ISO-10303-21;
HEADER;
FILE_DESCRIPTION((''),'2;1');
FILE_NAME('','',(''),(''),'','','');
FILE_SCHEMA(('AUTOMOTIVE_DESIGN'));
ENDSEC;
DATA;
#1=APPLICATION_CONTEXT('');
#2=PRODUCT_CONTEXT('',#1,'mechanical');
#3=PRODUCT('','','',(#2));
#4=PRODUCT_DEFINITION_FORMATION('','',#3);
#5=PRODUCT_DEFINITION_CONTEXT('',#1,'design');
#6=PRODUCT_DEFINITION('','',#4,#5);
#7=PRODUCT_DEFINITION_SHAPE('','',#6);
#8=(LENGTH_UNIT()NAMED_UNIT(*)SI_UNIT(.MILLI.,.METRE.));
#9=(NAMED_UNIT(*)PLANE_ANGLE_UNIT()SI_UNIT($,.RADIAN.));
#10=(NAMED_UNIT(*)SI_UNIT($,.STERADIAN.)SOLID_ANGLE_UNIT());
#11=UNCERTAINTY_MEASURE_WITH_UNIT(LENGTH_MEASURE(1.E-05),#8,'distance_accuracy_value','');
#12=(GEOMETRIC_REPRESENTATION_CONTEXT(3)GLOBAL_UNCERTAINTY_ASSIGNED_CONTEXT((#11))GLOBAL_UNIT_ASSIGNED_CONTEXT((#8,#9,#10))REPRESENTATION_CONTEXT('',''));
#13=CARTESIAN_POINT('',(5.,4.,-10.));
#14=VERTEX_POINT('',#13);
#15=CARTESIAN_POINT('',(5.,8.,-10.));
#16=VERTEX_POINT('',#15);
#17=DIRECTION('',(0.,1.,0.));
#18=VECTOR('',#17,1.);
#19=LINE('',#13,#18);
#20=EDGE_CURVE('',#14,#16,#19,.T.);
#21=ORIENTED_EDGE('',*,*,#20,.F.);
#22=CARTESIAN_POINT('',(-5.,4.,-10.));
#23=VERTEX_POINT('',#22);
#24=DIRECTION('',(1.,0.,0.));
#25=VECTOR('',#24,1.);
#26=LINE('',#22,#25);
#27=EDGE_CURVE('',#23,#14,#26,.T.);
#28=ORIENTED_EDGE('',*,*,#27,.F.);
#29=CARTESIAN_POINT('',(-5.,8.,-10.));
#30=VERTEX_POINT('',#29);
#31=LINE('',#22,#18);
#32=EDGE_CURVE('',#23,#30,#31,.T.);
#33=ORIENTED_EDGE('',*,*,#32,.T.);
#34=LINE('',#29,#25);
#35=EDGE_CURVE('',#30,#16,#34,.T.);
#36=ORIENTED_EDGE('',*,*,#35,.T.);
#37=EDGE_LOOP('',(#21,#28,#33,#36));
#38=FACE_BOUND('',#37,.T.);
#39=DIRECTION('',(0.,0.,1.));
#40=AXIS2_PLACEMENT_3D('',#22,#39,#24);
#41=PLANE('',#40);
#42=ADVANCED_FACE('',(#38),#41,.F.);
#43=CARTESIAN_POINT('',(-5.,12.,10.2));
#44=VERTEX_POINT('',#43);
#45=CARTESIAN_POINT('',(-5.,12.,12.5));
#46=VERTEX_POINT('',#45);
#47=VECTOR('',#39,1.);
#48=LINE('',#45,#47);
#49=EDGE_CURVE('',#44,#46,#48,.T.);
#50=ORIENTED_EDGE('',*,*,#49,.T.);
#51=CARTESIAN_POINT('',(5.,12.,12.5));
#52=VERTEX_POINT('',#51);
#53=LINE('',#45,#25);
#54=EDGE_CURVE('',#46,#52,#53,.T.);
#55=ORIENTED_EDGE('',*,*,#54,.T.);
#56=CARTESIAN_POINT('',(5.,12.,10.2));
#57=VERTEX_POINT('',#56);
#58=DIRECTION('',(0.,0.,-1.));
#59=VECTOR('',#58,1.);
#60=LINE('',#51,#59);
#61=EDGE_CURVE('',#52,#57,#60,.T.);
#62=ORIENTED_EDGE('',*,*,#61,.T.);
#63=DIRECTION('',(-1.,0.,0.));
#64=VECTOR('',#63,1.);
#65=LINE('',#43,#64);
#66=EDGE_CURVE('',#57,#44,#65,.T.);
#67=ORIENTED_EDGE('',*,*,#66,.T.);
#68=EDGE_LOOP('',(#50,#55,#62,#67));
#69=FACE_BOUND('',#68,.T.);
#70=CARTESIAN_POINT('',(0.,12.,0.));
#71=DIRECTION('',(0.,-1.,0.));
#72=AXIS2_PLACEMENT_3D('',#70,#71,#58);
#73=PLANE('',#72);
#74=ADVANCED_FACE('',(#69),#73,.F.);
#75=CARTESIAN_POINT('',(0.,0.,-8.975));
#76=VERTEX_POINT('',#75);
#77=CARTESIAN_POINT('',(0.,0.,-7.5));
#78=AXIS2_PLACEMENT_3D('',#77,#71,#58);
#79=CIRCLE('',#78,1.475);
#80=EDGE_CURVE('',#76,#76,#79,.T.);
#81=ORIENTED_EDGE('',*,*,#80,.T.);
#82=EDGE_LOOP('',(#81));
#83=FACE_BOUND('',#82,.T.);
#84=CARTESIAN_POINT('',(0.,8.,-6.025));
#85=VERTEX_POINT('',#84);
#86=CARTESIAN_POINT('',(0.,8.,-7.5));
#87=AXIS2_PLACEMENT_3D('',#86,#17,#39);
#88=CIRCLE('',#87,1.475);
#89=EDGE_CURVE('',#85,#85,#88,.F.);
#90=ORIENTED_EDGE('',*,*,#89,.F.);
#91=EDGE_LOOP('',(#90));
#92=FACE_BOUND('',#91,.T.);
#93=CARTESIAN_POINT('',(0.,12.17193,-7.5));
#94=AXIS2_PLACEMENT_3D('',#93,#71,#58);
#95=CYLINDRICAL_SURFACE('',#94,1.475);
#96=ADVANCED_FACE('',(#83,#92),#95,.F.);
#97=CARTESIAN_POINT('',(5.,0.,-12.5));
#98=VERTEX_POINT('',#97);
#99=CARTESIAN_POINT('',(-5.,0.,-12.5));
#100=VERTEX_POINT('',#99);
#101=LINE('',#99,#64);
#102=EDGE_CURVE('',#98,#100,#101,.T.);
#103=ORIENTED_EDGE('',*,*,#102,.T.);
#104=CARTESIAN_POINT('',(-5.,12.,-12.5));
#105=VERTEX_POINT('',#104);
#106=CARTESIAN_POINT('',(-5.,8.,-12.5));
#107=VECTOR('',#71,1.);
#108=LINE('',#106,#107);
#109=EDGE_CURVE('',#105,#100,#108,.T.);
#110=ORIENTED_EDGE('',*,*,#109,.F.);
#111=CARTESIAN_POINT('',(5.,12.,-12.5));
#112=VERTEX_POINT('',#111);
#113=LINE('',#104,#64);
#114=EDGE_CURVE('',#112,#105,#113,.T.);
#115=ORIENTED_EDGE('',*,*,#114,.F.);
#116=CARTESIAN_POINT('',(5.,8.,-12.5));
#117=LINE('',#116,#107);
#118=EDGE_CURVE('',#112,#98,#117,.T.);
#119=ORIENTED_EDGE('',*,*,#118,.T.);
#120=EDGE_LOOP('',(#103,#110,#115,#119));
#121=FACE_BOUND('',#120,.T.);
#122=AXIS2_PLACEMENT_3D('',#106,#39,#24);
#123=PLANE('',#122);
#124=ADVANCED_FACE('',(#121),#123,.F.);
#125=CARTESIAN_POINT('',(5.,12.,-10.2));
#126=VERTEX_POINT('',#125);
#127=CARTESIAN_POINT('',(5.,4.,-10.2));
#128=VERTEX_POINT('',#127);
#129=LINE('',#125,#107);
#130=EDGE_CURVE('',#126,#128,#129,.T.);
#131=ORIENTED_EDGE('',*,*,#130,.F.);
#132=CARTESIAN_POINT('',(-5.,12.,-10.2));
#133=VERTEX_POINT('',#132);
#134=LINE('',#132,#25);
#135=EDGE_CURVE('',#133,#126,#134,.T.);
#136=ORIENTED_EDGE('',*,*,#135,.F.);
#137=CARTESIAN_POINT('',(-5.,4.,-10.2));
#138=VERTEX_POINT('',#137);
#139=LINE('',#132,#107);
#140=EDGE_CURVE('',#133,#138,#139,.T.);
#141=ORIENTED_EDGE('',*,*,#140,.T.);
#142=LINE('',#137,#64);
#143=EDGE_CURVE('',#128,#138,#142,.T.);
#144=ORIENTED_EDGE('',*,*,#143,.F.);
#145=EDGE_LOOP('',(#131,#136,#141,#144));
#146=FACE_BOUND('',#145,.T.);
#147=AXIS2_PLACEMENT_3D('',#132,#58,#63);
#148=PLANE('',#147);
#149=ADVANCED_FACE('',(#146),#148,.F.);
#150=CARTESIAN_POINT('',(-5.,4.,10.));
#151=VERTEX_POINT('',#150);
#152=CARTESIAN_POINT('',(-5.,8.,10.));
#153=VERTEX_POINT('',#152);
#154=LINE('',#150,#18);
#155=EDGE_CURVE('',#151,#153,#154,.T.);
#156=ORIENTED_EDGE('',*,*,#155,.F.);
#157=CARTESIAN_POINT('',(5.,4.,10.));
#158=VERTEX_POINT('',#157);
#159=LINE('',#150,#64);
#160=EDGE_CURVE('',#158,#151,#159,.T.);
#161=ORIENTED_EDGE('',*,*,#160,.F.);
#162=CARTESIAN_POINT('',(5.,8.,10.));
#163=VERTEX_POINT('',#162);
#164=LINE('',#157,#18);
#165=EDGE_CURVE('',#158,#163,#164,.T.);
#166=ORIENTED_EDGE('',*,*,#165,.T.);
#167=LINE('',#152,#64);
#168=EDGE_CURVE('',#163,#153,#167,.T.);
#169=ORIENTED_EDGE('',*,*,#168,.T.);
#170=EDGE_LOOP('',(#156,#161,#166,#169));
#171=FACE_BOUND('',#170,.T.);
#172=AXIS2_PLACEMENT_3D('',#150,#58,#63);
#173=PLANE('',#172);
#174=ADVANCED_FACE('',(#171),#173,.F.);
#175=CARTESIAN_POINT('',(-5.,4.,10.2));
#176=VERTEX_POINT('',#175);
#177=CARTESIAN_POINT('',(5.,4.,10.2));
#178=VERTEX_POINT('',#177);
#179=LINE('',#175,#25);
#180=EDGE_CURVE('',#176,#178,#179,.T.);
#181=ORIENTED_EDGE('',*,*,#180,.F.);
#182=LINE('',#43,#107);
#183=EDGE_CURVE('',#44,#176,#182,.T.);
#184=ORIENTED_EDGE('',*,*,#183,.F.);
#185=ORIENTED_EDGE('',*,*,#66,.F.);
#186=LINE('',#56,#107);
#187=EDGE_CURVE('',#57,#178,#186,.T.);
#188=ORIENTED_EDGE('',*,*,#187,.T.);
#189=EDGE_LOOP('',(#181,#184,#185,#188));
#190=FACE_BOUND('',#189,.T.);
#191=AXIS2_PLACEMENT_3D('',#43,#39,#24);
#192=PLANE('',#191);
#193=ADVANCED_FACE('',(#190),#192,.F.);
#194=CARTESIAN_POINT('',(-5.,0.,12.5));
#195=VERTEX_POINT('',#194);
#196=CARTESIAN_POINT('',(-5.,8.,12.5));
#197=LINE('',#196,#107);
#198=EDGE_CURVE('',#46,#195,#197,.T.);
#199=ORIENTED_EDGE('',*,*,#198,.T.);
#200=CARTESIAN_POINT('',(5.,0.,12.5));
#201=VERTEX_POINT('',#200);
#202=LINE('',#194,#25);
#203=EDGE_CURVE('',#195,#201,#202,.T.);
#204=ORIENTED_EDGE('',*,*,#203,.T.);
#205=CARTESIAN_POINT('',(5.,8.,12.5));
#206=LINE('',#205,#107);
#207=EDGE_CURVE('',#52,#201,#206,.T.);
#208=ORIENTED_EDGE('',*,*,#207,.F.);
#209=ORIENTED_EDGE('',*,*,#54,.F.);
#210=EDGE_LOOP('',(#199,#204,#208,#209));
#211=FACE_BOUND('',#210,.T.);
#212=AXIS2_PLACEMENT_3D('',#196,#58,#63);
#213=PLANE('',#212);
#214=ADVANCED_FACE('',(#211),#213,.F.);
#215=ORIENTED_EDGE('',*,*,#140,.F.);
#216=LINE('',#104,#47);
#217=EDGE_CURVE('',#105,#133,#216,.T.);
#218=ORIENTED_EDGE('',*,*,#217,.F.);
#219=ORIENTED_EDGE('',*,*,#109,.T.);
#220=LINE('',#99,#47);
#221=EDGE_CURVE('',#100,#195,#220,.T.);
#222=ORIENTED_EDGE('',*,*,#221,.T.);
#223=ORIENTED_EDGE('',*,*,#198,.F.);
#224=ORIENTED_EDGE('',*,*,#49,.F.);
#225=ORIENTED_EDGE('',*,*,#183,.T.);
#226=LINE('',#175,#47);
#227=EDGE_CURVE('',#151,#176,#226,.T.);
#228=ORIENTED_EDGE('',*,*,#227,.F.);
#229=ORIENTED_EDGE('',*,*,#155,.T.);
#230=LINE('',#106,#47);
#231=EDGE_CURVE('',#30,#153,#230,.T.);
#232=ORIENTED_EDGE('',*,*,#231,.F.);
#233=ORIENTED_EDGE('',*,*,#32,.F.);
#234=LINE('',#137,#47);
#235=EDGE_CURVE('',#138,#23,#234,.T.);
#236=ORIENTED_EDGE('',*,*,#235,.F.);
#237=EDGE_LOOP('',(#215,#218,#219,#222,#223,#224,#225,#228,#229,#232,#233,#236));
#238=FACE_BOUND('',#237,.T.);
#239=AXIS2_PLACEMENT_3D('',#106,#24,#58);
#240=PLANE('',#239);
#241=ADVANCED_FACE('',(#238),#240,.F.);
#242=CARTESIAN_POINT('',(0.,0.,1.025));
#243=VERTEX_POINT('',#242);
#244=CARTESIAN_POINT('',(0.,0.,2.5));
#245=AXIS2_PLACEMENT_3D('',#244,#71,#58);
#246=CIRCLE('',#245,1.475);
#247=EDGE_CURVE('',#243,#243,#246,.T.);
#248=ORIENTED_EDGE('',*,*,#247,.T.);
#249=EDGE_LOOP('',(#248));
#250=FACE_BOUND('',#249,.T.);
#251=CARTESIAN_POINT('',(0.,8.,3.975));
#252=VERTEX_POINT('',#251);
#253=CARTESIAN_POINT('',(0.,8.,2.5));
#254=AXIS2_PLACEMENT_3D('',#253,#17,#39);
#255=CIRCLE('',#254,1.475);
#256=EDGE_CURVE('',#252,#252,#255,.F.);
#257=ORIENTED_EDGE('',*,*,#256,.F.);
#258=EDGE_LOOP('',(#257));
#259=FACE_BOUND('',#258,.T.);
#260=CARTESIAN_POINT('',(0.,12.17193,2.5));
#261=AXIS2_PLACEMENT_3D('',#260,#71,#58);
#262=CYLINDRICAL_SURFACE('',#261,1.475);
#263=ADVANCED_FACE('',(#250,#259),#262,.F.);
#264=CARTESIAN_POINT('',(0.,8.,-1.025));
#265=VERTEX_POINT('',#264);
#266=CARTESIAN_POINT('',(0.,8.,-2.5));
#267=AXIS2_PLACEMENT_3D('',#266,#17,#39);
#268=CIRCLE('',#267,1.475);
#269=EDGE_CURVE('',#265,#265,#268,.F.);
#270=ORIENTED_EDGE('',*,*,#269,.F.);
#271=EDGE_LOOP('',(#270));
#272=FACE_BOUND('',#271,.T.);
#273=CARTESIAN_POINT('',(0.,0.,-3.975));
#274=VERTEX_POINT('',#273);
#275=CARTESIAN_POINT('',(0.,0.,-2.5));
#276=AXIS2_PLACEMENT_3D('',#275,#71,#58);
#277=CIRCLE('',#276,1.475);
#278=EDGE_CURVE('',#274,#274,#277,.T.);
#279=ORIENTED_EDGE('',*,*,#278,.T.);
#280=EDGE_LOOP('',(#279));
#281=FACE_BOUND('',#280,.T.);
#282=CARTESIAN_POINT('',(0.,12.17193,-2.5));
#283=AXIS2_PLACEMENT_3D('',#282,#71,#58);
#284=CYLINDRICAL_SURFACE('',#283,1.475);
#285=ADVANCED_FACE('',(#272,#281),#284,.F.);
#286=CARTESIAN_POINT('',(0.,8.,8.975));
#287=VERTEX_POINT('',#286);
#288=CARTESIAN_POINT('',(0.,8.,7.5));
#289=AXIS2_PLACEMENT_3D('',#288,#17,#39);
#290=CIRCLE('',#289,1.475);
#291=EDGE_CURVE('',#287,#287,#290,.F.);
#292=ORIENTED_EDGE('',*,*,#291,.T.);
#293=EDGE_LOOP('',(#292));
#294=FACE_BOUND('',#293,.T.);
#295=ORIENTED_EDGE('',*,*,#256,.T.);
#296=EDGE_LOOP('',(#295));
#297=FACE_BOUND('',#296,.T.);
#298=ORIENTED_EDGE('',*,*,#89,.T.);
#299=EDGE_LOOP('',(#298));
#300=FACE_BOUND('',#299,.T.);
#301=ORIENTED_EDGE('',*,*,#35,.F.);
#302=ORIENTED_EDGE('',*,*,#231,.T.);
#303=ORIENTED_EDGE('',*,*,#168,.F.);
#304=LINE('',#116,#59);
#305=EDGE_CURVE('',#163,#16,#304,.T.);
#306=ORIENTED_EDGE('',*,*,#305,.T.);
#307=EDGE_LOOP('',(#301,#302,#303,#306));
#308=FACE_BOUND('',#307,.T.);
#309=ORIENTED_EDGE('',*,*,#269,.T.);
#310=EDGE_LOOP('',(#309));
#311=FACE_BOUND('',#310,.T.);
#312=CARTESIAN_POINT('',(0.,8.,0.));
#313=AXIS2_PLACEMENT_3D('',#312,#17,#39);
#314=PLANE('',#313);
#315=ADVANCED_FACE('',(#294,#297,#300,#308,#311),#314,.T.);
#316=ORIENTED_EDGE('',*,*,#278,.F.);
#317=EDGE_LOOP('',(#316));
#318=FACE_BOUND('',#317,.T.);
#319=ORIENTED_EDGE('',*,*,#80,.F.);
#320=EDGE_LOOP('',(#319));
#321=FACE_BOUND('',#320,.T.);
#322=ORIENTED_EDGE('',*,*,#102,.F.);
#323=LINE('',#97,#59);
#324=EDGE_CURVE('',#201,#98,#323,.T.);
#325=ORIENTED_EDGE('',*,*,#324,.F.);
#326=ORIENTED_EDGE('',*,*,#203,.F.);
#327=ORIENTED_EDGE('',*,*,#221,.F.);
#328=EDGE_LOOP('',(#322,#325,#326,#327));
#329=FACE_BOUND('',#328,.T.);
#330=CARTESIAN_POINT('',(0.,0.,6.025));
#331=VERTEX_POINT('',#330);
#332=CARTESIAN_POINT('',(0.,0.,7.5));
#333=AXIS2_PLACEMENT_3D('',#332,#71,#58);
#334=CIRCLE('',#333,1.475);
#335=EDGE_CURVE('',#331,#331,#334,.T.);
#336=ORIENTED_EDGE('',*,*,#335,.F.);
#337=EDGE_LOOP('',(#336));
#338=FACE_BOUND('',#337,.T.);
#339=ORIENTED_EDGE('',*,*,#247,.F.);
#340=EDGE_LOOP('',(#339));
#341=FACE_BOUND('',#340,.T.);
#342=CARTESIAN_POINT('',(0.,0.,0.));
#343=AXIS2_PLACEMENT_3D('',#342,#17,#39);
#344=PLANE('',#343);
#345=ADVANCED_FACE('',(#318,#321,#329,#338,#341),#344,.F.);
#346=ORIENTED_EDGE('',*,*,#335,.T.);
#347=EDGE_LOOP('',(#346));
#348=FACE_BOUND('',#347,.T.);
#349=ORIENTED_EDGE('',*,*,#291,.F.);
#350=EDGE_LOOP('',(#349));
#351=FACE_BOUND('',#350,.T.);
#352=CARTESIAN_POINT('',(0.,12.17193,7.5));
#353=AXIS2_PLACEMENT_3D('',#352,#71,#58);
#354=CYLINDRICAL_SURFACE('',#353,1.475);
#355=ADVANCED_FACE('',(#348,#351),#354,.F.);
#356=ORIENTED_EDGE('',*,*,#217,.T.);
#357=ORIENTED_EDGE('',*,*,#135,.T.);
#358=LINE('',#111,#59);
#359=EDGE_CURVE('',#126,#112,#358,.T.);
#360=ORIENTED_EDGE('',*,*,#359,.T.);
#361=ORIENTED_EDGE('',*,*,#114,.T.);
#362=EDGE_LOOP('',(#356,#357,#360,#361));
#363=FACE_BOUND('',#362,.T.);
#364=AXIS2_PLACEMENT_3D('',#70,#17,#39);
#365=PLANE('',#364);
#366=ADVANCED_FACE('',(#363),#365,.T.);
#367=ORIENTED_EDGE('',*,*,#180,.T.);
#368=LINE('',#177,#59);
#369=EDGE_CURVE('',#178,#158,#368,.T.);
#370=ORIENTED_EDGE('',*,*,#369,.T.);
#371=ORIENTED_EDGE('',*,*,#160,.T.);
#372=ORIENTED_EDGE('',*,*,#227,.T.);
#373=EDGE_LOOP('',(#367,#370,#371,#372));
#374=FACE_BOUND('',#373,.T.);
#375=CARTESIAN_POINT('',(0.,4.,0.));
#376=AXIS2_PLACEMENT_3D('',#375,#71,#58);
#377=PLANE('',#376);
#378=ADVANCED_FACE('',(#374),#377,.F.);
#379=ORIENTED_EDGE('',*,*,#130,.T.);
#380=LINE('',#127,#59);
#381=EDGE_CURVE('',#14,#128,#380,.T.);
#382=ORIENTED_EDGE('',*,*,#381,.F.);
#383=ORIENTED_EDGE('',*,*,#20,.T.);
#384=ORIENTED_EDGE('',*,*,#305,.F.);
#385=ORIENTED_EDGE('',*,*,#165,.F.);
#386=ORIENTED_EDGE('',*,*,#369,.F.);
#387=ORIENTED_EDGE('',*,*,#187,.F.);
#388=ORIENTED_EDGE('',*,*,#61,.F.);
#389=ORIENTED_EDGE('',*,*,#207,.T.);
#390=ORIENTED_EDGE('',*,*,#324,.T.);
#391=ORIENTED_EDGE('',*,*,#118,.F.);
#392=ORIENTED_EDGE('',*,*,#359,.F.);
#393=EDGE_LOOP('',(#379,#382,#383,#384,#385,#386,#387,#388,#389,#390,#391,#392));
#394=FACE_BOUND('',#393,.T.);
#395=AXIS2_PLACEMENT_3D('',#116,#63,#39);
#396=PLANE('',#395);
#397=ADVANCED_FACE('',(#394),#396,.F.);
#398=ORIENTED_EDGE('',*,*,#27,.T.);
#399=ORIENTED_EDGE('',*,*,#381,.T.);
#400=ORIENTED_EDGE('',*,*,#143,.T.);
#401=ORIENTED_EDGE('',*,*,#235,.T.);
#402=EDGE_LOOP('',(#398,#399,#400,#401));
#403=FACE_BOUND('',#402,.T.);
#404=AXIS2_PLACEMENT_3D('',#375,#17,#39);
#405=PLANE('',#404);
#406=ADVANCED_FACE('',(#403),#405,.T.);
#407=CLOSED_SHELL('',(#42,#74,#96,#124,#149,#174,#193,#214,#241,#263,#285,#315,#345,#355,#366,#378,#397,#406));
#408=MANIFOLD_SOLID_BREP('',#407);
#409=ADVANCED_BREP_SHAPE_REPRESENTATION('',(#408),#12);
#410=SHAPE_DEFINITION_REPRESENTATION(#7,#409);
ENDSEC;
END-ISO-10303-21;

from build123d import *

# Parameters (mm, degrees)
SKETCH1_W           = 10
SKETCH1_H           = 25
BOSS_EXTRUDE1_DEPTH = 8
SKETCH8_W           = 10
SKETCH8_H           = 2.3
BOSS_EXTRUDE4_DEPTH = 4
SKETCH9_W           = 10
SKETCH9_H           = 0.2
CUT_EXTRUDE3_DEPTH  = 4
SKETCH4_R           = 1.475
CUT_EXTRUDE2_DEPTH  = 8
LPATTERN1_COUNT     = 4
LPATTERN1_PITCH     = 5


with BuildPart() as part:
    # Sketch1 → Boss-Extrude1 (new body)
    with BuildSketch(Plane(origin=(0, 0, 0), x_dir=(1, 0, 0), z_dir=(0, 1, 0))):
        Rectangle(SKETCH1_W, SKETCH1_H)
    extrude(amount=BOSS_EXTRUDE1_DEPTH)

    # Sketch8 → Boss-Extrude4 (add)
    with BuildSketch(Plane(origin=(0, 8, 0), x_dir=(1, 0, 0), z_dir=(0, 1, 0))):
        with Locations((0, 11.35)):
            Rectangle(SKETCH8_W, SKETCH8_H)
        with Locations((0, -11.35)):
            Rectangle(SKETCH8_W, SKETCH8_H)
    extrude(amount=BOSS_EXTRUDE4_DEPTH)

    # Sketch9 → Cut-Extrude3 (cut)
    with BuildSketch(Plane(origin=(0, 8, 0), x_dir=(1, 0, 0), z_dir=(0, 1, 0))):
        with Locations((0, 10.1)):
            Rectangle(SKETCH9_W, SKETCH9_H)
        with Locations((0, -10.1)):
            Rectangle(SKETCH9_W, SKETCH9_H)
    extrude(amount=-CUT_EXTRUDE3_DEPTH, mode=Mode.SUBTRACT)

    # Sketch4 → Cut-Extrude2 (cut)
    with BuildSketch(Plane.XZ):
        with Locations(Location((0, 7.5, 0), (0, 0, 270))):
            Circle(SKETCH4_R)
    cut_extrude2 = extrude(amount=-CUT_EXTRUDE2_DEPTH, mode=Mode.SUBTRACT)

    # LPattern1: Cut-Extrude2 ×4
    with Locations(*[(0, 0, -i * LPATTERN1_PITCH) for i in range(1, LPATTERN1_COUNT)]):
        add(cut_extrude2, mode=Mode.SUBTRACT)


solid = part.part
